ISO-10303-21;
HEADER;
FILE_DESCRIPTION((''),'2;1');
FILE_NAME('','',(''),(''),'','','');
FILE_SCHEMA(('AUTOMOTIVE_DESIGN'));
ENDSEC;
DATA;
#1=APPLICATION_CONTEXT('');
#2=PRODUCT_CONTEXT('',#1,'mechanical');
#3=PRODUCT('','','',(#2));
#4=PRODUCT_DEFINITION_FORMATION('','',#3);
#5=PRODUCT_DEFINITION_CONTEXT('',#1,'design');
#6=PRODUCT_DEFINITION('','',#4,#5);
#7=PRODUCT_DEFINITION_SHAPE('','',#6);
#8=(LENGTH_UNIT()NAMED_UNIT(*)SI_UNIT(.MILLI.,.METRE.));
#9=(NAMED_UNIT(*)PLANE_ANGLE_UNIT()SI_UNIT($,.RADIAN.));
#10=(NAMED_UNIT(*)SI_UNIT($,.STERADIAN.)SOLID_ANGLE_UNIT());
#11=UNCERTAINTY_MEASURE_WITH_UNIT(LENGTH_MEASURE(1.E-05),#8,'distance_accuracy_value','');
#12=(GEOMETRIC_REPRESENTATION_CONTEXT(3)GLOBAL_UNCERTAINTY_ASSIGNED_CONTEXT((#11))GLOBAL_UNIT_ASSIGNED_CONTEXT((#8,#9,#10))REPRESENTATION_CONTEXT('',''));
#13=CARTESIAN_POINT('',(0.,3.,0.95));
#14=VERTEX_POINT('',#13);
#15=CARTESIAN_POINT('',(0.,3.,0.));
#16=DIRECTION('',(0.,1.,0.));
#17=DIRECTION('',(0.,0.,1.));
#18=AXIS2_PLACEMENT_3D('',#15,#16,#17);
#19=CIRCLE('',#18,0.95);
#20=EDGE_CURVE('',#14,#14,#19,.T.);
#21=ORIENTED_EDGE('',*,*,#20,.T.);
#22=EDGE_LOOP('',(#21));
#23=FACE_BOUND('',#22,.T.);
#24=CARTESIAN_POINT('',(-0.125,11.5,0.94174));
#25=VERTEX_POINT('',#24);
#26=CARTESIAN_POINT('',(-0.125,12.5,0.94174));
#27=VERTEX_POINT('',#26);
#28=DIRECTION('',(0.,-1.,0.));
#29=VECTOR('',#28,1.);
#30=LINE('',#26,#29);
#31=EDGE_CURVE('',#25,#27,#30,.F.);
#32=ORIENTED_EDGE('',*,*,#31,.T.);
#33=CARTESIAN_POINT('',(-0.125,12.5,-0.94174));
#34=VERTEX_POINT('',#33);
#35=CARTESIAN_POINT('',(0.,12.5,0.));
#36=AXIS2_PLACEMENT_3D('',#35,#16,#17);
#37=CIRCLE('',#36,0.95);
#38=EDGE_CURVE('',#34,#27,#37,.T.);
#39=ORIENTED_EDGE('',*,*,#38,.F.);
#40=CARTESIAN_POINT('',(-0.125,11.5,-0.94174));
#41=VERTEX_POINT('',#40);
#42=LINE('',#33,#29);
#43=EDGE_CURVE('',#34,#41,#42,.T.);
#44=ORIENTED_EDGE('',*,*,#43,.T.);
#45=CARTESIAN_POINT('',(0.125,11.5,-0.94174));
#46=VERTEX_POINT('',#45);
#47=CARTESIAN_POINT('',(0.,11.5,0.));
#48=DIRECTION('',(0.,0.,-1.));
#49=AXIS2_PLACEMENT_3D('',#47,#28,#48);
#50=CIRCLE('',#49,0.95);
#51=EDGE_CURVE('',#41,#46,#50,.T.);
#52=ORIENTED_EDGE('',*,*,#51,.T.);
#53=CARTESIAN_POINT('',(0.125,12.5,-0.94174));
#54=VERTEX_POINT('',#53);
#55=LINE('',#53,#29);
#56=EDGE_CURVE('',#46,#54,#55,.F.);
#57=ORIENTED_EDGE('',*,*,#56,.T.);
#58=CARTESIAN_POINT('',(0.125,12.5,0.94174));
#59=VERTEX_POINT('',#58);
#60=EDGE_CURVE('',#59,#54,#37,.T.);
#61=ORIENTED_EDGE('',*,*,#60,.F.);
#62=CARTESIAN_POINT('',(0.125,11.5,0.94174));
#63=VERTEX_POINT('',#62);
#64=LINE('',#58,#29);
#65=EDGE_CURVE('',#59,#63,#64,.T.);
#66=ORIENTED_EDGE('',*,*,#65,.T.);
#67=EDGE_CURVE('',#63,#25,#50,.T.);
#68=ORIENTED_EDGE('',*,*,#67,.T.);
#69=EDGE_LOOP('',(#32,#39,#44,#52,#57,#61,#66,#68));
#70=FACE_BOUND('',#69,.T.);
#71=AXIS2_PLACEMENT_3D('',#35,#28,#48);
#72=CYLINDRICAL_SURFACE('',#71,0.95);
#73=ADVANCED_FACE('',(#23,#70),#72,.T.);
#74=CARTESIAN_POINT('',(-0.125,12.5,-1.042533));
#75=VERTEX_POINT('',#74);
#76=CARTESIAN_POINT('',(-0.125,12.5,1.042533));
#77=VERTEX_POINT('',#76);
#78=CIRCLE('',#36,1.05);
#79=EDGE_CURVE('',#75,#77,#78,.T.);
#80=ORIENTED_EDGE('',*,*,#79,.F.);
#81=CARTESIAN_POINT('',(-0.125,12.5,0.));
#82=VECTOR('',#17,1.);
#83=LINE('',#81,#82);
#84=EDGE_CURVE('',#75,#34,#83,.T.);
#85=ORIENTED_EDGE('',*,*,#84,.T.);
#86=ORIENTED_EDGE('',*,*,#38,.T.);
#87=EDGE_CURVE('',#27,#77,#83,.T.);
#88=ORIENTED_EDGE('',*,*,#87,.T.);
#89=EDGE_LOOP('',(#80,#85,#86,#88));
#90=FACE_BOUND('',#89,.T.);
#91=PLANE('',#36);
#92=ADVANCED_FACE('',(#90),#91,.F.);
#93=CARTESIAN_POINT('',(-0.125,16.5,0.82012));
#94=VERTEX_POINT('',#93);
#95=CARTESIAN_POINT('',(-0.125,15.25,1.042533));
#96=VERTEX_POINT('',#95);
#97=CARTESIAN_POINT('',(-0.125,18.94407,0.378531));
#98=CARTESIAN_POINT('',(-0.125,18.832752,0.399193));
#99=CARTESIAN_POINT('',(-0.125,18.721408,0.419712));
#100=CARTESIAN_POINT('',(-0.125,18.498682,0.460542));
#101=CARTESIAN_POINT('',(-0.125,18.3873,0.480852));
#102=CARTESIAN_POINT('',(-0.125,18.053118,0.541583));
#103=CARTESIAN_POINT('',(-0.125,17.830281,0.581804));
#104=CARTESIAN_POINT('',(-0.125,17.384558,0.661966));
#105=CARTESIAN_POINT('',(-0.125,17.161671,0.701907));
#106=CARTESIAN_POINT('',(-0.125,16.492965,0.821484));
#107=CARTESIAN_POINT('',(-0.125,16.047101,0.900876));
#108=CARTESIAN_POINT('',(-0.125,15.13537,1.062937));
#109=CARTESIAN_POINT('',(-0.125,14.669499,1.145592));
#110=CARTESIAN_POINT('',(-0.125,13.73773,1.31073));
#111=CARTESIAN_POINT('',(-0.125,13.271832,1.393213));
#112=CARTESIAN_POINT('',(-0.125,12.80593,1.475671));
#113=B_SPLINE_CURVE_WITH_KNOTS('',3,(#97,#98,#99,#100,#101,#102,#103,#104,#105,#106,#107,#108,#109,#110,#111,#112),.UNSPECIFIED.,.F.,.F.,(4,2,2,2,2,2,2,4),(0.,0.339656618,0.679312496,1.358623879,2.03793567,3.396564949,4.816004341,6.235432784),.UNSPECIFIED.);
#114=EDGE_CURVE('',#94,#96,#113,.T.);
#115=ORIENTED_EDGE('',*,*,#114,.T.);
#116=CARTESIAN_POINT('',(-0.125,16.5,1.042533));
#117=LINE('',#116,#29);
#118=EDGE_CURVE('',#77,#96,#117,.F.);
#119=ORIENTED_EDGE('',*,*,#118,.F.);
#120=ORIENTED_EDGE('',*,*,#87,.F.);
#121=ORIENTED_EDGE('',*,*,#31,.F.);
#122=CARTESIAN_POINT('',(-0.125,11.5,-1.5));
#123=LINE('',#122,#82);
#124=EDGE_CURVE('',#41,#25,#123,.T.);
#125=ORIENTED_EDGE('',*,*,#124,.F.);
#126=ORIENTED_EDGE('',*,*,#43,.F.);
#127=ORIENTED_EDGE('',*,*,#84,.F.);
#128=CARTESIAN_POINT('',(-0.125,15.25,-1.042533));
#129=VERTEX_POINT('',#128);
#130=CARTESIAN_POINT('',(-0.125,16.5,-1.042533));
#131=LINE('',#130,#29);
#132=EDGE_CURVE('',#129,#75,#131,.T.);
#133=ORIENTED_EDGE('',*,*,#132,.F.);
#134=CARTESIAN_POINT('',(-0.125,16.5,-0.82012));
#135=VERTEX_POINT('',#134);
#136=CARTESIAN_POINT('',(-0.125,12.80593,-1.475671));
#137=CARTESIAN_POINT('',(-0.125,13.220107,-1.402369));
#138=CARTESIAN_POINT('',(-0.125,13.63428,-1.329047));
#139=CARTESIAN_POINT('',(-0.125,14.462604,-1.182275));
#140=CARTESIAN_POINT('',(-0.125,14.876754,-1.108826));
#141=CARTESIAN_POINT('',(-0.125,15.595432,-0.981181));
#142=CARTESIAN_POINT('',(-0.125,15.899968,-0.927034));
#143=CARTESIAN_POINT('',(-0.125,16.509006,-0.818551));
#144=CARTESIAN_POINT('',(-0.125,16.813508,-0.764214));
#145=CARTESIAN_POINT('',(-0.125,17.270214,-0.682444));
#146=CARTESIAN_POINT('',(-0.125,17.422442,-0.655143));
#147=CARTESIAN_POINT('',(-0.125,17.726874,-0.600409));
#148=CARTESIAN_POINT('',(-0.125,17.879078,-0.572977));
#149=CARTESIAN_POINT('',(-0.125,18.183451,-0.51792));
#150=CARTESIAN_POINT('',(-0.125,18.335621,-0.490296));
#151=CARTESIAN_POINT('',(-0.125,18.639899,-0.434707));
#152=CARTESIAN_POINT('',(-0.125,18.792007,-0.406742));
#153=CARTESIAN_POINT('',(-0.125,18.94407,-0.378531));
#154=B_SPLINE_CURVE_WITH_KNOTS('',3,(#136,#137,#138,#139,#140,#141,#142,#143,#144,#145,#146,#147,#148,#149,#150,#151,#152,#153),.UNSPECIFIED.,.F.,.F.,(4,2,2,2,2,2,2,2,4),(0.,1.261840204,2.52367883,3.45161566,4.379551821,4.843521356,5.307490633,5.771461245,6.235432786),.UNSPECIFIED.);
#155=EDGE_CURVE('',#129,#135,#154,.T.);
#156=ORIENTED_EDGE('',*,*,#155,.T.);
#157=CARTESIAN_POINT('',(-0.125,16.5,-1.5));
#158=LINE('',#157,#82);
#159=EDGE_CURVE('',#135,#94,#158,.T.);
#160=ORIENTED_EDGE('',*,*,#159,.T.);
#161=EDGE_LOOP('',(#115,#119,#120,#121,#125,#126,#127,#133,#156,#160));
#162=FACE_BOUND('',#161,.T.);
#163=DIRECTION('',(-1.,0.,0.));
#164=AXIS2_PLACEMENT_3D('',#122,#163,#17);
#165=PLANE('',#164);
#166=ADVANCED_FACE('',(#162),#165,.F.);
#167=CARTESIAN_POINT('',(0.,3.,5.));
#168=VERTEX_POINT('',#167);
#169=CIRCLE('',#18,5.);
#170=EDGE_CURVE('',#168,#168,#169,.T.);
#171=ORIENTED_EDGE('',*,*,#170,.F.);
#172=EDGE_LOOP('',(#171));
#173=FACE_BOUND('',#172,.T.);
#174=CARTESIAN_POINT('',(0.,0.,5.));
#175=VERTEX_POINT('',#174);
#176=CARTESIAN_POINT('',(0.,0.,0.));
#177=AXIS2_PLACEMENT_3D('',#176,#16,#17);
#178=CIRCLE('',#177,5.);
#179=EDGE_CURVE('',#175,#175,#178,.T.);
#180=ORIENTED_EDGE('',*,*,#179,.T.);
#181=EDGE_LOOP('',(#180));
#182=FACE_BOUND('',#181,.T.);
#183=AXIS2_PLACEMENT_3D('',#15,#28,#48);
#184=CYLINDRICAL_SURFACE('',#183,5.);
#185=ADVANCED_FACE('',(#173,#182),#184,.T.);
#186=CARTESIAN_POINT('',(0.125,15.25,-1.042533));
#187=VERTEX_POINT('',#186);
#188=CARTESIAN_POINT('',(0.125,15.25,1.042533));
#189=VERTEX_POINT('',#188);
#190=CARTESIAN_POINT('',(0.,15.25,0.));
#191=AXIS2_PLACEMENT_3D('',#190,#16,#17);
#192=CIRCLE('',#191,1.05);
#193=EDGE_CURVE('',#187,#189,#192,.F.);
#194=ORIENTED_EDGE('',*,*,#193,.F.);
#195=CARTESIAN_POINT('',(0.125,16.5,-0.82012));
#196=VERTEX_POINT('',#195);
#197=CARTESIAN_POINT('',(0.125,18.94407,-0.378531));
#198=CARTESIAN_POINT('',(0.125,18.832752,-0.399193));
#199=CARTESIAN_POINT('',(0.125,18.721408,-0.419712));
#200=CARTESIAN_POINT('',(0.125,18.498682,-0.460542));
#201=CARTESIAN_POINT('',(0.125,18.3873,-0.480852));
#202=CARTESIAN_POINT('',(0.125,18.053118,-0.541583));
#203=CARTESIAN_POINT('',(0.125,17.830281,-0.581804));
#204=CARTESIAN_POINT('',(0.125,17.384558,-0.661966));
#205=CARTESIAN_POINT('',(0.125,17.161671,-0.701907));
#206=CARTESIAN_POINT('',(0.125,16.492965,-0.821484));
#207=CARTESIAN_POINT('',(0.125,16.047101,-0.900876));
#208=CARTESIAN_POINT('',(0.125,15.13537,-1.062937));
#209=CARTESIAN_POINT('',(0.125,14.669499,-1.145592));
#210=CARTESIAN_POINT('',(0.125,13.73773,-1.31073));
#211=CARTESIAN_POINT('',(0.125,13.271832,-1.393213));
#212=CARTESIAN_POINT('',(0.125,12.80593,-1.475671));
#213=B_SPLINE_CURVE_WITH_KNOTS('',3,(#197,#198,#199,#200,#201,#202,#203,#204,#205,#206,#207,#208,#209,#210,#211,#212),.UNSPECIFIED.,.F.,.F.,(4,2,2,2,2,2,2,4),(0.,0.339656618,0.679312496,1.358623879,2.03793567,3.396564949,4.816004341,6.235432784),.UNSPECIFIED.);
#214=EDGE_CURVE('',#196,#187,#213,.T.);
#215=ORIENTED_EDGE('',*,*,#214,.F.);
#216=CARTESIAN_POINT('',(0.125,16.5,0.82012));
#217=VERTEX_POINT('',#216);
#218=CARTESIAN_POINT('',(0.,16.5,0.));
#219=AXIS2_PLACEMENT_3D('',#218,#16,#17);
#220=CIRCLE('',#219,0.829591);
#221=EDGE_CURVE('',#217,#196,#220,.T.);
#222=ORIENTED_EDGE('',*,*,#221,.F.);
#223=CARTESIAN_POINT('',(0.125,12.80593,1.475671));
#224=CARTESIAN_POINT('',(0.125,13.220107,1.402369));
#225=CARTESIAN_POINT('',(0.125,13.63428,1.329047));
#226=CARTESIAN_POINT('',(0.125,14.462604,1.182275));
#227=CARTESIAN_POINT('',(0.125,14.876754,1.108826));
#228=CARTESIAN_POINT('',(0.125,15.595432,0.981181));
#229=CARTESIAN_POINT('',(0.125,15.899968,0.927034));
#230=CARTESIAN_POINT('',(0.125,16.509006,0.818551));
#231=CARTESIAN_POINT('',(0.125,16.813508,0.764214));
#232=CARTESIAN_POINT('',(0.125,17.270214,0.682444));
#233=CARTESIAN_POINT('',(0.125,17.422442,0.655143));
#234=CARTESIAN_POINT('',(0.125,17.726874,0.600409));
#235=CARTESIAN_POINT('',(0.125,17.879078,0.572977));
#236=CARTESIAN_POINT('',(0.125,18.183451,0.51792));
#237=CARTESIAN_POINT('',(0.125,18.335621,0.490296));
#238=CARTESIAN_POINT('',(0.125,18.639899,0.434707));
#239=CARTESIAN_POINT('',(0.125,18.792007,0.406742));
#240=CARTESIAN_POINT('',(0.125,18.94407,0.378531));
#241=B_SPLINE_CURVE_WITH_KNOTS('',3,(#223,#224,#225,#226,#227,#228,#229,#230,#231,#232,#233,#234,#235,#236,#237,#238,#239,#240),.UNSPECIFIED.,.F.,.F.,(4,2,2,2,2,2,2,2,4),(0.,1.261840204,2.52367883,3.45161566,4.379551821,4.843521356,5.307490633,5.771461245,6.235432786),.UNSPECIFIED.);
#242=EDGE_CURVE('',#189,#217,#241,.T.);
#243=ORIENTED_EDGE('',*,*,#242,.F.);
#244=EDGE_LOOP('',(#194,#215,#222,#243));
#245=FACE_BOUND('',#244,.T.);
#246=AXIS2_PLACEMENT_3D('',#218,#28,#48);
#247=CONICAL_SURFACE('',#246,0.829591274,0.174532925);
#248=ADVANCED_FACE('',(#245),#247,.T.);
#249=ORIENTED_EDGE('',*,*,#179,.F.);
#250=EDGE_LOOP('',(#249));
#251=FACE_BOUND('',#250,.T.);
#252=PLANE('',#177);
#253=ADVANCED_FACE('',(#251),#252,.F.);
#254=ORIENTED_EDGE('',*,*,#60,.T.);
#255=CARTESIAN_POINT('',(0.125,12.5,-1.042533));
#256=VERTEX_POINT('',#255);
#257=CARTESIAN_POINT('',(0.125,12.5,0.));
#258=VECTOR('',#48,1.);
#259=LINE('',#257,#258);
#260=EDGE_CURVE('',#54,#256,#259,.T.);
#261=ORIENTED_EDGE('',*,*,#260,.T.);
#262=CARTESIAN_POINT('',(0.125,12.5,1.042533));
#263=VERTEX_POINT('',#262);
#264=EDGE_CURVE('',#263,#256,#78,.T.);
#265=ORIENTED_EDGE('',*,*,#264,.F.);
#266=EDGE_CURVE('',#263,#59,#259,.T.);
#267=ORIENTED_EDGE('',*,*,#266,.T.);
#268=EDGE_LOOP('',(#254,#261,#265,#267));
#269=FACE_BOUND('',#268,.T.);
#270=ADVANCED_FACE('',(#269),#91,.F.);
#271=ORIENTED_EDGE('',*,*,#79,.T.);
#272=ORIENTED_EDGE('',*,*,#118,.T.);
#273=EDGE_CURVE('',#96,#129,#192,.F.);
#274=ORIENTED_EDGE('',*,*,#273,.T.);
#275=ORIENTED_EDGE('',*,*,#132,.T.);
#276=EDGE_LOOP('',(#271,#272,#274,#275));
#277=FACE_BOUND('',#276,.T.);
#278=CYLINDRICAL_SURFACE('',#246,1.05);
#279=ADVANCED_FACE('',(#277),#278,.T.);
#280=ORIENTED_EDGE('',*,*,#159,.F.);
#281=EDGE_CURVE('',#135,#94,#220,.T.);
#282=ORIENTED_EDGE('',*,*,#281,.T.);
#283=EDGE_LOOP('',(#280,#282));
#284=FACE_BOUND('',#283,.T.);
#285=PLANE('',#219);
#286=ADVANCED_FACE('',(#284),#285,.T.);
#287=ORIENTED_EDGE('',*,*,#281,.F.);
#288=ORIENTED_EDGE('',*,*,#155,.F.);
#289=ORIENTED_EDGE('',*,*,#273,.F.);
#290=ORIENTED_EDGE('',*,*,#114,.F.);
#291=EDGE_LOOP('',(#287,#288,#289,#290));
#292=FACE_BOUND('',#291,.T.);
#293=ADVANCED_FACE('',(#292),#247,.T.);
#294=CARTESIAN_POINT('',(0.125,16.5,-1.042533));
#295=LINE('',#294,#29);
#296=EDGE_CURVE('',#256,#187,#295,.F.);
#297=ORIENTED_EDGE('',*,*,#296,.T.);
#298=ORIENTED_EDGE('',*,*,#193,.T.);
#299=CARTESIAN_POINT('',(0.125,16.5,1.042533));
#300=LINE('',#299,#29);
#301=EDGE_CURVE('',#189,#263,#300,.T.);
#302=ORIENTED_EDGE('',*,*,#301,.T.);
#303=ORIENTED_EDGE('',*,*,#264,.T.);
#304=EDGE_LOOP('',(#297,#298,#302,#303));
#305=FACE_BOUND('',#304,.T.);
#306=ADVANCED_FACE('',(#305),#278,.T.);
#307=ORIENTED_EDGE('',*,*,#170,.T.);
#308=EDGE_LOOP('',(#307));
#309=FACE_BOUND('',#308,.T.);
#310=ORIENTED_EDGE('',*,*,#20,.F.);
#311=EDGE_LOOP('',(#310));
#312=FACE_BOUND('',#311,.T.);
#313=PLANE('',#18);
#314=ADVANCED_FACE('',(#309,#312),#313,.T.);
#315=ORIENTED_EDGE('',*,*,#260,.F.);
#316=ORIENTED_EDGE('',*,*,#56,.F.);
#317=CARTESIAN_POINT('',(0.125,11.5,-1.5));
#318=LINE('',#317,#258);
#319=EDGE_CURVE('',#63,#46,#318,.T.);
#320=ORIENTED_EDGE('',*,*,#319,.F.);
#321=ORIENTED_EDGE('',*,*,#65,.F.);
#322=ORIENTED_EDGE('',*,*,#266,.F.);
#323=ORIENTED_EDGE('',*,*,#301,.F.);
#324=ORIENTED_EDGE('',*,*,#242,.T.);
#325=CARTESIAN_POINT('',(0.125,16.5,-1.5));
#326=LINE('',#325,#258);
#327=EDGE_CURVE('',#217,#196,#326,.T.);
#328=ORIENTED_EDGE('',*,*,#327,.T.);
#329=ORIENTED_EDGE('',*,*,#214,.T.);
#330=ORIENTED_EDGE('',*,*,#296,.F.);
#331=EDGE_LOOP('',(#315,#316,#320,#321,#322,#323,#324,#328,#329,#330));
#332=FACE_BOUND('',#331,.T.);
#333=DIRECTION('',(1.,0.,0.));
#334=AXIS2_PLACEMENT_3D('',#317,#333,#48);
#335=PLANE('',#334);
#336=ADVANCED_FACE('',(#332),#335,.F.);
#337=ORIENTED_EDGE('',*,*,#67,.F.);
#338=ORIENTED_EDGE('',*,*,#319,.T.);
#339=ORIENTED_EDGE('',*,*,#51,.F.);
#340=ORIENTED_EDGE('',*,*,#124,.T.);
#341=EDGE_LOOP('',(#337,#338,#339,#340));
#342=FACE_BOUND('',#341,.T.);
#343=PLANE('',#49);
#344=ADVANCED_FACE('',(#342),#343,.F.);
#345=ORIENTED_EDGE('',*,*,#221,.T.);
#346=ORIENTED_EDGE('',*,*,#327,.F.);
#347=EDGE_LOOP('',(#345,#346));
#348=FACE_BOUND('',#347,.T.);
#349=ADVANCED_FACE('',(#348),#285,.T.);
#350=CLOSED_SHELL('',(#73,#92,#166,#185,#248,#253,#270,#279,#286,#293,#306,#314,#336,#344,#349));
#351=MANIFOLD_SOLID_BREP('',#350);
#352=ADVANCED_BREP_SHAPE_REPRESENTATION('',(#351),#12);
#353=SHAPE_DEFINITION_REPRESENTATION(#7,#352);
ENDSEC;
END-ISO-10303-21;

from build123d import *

# Parameters (mm, degrees)
ESQUISSE2_R             = 5
BOSS_EXTRU_1_DEPTH      = 3
ESQUISSE3_R             = 0.95
BOSS_EXTRU_2_DEPTH      = 9.5
ESQUISSE4_R             = 1.05
BOSS_EXTRU_3_DEPTH      = 4
CHANFREIN3_SIZE         = 1.25
CHANFREIN3_SIZE2        = 0.220408726
ESQUISSE5_W             = 0.25
ESQUISSE5_H             = 3
ENL_V_MAT_EXTRU_1_DEPTH = 5


with BuildPart() as part:
    # Esquisse2 → Boss.-Extru.1 (new body)
    with BuildSketch(Plane(origin=(0, 0, 0), x_dir=(1, 0, 0), z_dir=(0, 1, 0))):
        with Locations(Location((0, 0, 0), (0, 0, 270))):
            Circle(ESQUISSE2_R)
    extrude(amount=BOSS_EXTRU_1_DEPTH)

    # Esquisse3 → Boss.-Extru.2 (add)
    with BuildSketch(Plane(origin=(0, 3, 0), x_dir=(1, 0, 0), z_dir=(0, 1, 0))):
        with Locations(Location((0, 0, 0), (0, 0, 270))):
            Circle(ESQUISSE3_R)
    extrude(amount=BOSS_EXTRU_2_DEPTH)

    # Esquisse4 → Boss.-Extru.3 (add)
    with BuildSketch(Plane(origin=(0, 12.5, 0), x_dir=(1, 0, 0), z_dir=(0, 1, 0))):
        with Locations(Location((0, 0, 0), (0, 0, 270))):
            Circle(ESQUISSE4_R)
    extrude(amount=BOSS_EXTRU_3_DEPTH)

    # Chanfrein3
    chanfrein3_edges = [part.edges().sort_by_distance(p)[0] for p in [
        (0, 16.5, -1.05),
    ]]
    chanfrein3_side = [part.faces().sort_by_distance(p)[0] for p in [
        (0, 14.5, -1.05),
    ]]
    chamfer(chanfrein3_edges, length=CHANFREIN3_SIZE, length2=CHANFREIN3_SIZE2, reference=chanfrein3_side[0])

    # Esquisse5 → Enlèv. mat.-Extru.1 (cut)
    with BuildSketch(Plane(origin=(0, 16.5, 0), x_dir=(1, 0, 0), z_dir=(0, 1, 0))):
        Rectangle(ESQUISSE5_W, ESQUISSE5_H)
    extrude(amount=-ENL_V_MAT_EXTRU_1_DEPTH, mode=Mode.SUBTRACT)


solid = part.part
